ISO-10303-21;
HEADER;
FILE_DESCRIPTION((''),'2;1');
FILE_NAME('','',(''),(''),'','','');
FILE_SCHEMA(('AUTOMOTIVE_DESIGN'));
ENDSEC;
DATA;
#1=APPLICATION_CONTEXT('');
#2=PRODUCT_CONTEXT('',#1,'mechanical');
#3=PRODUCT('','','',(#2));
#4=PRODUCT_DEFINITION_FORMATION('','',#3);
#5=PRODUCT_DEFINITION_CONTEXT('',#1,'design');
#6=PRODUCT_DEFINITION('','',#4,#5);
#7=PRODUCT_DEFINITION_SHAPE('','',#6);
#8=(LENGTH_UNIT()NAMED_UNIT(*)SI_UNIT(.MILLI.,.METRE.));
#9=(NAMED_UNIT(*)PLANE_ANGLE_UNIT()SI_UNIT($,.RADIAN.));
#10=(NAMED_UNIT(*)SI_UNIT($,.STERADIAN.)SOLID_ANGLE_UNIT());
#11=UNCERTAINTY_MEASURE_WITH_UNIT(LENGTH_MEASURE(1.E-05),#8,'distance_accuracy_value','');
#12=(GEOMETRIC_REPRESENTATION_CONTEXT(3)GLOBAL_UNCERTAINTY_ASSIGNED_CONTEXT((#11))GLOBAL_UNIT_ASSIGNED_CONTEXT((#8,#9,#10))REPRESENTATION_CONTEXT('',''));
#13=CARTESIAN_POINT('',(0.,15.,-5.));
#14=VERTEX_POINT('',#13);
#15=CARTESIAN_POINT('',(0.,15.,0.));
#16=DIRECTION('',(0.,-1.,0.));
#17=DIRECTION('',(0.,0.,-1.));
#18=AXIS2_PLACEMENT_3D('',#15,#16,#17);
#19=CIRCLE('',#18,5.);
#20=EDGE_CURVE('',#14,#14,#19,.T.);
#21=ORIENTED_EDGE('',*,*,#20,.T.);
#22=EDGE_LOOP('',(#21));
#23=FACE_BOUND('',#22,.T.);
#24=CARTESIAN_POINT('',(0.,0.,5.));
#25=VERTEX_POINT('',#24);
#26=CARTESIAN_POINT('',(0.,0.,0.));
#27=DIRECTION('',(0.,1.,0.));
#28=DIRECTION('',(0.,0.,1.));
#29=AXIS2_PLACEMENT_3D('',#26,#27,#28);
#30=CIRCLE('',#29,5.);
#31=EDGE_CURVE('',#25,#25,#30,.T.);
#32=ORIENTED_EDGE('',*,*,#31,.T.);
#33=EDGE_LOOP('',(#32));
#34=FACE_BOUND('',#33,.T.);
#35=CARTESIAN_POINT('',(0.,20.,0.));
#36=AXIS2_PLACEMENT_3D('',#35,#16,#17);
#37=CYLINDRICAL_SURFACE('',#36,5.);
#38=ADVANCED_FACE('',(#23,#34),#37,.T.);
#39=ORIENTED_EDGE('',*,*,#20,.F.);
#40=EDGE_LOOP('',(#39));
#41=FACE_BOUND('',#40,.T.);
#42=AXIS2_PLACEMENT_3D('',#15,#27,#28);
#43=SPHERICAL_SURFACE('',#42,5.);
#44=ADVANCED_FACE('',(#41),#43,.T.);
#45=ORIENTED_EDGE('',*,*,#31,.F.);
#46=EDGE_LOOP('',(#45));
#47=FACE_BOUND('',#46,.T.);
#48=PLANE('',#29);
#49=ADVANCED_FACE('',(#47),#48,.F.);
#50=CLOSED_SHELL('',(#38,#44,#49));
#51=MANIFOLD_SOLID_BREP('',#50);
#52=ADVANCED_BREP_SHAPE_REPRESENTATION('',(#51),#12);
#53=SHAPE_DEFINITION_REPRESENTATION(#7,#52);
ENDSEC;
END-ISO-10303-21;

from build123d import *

# Parameters (mm, degrees)
SKETCH1_R           = 5
BOSS_EXTRUDE1_DEPTH = 20
FILLET1_R           = 5


with BuildPart() as part:
    # Sketch1 → Boss-Extrude1 (new body)
    with BuildSketch(Plane(origin=(0, 0, 0), x_dir=(1, 0, 0), z_dir=(0, 1, 0))):
        with Locations(Location((0, 0, 0), (0, 0, 270))):
            Circle(SKETCH1_R)
    extrude(amount=BOSS_EXTRUDE1_DEPTH)

    # Fillet1
    fillet1_edges = [part.edges().sort_by_distance(p)[0] for p in [
        (0, 20, -5),
    ]]
    fillet(fillet1_edges, radius=FILLET1_R)


solid = part.part
